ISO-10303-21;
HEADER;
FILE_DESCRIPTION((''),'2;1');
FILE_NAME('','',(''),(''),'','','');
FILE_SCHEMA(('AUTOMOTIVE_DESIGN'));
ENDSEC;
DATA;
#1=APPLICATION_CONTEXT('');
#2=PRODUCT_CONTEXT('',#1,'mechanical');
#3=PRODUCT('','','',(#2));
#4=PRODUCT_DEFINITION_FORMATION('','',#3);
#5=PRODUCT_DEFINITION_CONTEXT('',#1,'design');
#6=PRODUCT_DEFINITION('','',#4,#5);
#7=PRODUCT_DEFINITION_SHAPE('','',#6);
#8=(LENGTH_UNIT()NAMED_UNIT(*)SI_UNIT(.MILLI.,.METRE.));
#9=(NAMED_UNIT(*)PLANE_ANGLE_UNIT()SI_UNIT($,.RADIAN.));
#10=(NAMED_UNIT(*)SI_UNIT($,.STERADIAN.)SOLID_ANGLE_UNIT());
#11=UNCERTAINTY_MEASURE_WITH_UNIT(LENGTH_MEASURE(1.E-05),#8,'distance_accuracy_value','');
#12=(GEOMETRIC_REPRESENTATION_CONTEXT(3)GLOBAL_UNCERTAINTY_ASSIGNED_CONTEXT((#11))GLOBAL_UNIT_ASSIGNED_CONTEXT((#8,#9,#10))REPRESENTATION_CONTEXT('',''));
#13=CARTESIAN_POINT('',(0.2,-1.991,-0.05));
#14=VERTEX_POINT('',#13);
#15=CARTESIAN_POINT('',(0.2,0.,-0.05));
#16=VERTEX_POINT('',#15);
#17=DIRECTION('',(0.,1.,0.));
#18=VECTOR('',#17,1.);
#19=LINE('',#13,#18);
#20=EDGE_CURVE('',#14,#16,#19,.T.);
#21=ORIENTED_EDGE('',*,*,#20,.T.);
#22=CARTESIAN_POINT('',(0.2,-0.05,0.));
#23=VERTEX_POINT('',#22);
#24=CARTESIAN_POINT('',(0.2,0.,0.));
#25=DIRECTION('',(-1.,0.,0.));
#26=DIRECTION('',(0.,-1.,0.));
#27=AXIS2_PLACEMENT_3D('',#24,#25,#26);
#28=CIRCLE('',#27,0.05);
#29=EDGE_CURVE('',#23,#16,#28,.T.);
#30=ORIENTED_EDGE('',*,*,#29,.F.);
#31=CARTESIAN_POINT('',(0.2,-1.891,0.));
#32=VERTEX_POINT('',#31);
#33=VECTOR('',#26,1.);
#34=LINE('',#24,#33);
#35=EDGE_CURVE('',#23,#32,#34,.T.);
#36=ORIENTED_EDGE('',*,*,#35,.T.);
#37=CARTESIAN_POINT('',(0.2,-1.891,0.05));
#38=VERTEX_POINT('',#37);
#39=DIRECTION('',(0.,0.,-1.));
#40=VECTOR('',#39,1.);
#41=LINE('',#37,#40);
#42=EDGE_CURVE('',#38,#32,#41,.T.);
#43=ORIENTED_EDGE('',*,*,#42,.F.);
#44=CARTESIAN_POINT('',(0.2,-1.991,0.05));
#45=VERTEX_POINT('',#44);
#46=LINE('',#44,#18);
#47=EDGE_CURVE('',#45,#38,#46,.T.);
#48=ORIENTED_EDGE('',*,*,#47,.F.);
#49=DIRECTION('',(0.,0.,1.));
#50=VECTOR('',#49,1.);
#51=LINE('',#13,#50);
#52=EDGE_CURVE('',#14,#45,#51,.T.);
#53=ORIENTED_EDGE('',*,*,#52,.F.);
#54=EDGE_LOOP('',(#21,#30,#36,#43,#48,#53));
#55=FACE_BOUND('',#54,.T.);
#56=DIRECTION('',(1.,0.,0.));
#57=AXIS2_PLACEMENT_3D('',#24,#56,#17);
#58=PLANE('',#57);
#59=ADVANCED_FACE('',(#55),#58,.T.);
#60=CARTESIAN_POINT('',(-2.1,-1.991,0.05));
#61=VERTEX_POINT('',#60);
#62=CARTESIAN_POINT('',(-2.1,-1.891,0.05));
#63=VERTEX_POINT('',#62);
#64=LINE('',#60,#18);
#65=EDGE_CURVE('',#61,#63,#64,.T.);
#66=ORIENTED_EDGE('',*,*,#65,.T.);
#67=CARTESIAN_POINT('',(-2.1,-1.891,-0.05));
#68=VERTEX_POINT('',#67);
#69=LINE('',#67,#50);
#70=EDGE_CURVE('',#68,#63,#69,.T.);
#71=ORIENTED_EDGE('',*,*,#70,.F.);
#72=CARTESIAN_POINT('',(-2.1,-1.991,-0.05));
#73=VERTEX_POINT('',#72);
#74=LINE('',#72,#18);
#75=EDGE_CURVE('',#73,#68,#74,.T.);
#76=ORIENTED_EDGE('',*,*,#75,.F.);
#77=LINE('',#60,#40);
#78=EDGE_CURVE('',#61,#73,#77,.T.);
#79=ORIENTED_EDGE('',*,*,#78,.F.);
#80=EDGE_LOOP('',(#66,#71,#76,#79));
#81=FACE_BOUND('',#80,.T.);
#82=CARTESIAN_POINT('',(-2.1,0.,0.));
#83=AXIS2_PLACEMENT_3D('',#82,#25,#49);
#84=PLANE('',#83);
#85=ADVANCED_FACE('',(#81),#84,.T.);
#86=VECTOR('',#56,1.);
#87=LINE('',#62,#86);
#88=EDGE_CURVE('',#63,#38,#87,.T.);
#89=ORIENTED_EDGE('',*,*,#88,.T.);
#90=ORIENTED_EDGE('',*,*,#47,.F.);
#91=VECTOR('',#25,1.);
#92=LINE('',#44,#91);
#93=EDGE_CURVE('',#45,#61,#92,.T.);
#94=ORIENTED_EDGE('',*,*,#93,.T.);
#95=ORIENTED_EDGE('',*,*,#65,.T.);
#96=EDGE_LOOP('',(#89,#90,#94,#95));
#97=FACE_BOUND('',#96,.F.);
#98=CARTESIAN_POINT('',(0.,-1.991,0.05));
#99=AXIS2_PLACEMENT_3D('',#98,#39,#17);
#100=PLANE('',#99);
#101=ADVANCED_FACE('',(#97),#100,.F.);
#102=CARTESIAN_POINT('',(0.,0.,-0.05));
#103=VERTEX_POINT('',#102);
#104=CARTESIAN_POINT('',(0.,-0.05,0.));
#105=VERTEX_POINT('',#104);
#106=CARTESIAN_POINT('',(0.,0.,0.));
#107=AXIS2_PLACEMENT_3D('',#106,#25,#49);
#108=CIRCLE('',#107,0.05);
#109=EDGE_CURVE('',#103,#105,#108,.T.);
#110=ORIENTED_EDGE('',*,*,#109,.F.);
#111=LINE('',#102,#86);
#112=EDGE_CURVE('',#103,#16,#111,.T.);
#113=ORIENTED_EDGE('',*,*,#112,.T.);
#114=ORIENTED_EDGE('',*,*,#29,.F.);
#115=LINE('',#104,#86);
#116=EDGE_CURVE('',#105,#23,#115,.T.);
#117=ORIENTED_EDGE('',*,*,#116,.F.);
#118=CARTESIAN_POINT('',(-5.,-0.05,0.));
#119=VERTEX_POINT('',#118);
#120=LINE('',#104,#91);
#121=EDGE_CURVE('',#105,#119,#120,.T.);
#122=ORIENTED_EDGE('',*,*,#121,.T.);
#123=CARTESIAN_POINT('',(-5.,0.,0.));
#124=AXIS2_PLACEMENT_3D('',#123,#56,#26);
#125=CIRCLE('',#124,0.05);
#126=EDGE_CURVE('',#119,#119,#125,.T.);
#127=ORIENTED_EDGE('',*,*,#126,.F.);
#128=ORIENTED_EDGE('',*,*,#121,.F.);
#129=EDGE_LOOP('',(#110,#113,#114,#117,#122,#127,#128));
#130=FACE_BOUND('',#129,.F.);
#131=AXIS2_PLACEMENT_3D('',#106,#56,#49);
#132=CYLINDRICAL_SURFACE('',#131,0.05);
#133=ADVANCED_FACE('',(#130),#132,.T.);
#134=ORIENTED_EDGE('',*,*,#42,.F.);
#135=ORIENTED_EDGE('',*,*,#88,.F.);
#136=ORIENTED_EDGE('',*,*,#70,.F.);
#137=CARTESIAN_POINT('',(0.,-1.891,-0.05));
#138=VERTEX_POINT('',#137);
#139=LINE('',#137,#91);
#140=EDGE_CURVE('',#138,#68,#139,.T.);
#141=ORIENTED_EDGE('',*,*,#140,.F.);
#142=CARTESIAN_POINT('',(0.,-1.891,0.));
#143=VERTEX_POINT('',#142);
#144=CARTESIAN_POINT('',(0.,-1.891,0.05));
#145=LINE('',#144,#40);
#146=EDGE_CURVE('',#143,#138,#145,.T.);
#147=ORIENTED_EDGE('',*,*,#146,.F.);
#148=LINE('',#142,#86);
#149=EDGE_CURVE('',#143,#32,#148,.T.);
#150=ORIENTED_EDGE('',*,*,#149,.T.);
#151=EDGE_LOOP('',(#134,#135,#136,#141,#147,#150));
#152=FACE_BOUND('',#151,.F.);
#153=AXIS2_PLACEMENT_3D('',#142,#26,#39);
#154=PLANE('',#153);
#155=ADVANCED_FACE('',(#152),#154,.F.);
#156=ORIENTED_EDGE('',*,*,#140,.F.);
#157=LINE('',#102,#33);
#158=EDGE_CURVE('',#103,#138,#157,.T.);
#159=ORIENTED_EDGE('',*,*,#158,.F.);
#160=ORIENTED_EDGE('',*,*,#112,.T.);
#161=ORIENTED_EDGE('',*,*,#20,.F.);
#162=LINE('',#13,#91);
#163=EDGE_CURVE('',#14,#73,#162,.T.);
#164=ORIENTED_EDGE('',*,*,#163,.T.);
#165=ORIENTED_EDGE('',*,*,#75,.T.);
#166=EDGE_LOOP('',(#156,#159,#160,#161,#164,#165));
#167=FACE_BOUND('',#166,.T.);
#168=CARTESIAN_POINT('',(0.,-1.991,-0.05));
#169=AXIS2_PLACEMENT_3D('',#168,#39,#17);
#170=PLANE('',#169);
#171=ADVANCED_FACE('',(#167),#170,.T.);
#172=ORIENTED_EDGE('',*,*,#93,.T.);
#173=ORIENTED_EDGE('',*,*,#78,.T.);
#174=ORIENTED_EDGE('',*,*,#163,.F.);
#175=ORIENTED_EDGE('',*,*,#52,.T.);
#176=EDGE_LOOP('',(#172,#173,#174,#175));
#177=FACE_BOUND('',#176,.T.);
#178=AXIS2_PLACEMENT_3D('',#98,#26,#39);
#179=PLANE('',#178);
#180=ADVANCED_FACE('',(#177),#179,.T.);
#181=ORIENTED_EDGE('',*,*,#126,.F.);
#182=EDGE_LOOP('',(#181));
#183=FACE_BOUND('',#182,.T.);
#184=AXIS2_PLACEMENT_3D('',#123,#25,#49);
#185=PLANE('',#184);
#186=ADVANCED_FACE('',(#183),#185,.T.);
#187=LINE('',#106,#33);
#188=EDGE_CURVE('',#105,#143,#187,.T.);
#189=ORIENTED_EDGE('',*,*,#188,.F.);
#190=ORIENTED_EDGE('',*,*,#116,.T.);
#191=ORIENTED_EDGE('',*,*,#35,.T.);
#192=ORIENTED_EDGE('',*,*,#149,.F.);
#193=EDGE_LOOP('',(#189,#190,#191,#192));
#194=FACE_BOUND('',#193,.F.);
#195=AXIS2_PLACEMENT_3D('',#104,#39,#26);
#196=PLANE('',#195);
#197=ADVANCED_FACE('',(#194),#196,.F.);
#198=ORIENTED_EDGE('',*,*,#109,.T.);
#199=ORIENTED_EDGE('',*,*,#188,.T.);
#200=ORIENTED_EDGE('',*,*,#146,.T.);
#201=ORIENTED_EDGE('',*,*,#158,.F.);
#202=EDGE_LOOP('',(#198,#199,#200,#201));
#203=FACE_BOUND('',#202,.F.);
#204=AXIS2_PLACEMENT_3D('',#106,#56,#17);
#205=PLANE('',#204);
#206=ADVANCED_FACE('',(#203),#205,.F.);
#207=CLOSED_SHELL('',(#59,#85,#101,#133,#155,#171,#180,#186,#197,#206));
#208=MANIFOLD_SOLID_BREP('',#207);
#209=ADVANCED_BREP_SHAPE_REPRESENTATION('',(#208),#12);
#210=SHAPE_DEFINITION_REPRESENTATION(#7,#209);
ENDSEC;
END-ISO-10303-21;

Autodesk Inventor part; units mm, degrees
ref_plane "YZ Plane" through (0, 0, 0) normal (1, 0, 0) x (0, 1, 0)
ref_plane "XZ Plane" through (0, 0, 0) normal (0, 1, 0) x (-1, 0, 0)
ref_plane "XY Plane" through (0, 0, 0) normal (0, 0, 1) x (1, 0, 0)
sketch "Sketch1" plane through (0, 0, 0) normal (1, 0, 0) x (0, 1, 0)
  circle A0 centre (0, 0) radius 0.05
  line L0 (0, 0) -> (-1.941, 0)
  line L1 (-1.991, 0.05) -> (-1.891, 0.05)
  line L2 (-1.891, 0.05) -> (-1.891, -0.05)
  line L3 (-1.891, -0.05) -> (-1.991, -0.05)
  line L4 (-1.991, -0.05) -> (-1.991, 0.05)
  line L5 (-1.991, 0.05) -> (-1.891, -0.05) construction
  line L6 (-1.891, 0.05) -> (-1.991, -0.05) construction
  line L7 (-1.891, -0.05) -> (0, -0.05)
  point P0 (-0.05, 0)
  point P1 (-1.891, 0)
  dimension "d0" = 0.1
  dimension "d1" = 1.941
  dimension "d2" = 0.1
  dimension "d3" = 0.1
extrude "Extrusion1" add sketch "Sketch1" along normal blind 0.2
sketch "Sketch2" plane through (0, 0, 0) normal (-1, 0, 0) x (0, 0, 1)
  arc A0 (0, -0.05) -> (-0.05, 0) centre (0, 0) ccw projected
  circle A1 centre (0, 0) radius 0.05
  point P0 (-0.05, 0)
  point P1 (0, -0.05)
  dimension "d6" = 0.1
extrude "Extrusion2" add sketch "Sketch2" along normal blind 5
sketch "Sketch3" plane through (0, 0, 0) normal (-1, 0, 0) x (0, 0, 1)
  line L0 (-0.05, -1.991) -> (-0.05, 0) projected
  line L1 (0.05, -1.991) -> (-0.05, -1.991) projected
  line L2 (-0.05, -1.991) -> (0.05, -1.991)
  line L3 (0, -1.891) -> (0.05, -1.891) projected
  line L4 (0.05, -1.991) -> (0.05, -1.891)
  line L5 (0.05, -1.891) -> (-0.05, -1.891)
  line L6 (-0.05, -1.891) -> (-0.05, -1.991)
  point P0 (0, 0)
extrude "Extrusion3" add sketch "Sketch3" along normal blind 2.1
properties part number "Bone22_12_Fix"
